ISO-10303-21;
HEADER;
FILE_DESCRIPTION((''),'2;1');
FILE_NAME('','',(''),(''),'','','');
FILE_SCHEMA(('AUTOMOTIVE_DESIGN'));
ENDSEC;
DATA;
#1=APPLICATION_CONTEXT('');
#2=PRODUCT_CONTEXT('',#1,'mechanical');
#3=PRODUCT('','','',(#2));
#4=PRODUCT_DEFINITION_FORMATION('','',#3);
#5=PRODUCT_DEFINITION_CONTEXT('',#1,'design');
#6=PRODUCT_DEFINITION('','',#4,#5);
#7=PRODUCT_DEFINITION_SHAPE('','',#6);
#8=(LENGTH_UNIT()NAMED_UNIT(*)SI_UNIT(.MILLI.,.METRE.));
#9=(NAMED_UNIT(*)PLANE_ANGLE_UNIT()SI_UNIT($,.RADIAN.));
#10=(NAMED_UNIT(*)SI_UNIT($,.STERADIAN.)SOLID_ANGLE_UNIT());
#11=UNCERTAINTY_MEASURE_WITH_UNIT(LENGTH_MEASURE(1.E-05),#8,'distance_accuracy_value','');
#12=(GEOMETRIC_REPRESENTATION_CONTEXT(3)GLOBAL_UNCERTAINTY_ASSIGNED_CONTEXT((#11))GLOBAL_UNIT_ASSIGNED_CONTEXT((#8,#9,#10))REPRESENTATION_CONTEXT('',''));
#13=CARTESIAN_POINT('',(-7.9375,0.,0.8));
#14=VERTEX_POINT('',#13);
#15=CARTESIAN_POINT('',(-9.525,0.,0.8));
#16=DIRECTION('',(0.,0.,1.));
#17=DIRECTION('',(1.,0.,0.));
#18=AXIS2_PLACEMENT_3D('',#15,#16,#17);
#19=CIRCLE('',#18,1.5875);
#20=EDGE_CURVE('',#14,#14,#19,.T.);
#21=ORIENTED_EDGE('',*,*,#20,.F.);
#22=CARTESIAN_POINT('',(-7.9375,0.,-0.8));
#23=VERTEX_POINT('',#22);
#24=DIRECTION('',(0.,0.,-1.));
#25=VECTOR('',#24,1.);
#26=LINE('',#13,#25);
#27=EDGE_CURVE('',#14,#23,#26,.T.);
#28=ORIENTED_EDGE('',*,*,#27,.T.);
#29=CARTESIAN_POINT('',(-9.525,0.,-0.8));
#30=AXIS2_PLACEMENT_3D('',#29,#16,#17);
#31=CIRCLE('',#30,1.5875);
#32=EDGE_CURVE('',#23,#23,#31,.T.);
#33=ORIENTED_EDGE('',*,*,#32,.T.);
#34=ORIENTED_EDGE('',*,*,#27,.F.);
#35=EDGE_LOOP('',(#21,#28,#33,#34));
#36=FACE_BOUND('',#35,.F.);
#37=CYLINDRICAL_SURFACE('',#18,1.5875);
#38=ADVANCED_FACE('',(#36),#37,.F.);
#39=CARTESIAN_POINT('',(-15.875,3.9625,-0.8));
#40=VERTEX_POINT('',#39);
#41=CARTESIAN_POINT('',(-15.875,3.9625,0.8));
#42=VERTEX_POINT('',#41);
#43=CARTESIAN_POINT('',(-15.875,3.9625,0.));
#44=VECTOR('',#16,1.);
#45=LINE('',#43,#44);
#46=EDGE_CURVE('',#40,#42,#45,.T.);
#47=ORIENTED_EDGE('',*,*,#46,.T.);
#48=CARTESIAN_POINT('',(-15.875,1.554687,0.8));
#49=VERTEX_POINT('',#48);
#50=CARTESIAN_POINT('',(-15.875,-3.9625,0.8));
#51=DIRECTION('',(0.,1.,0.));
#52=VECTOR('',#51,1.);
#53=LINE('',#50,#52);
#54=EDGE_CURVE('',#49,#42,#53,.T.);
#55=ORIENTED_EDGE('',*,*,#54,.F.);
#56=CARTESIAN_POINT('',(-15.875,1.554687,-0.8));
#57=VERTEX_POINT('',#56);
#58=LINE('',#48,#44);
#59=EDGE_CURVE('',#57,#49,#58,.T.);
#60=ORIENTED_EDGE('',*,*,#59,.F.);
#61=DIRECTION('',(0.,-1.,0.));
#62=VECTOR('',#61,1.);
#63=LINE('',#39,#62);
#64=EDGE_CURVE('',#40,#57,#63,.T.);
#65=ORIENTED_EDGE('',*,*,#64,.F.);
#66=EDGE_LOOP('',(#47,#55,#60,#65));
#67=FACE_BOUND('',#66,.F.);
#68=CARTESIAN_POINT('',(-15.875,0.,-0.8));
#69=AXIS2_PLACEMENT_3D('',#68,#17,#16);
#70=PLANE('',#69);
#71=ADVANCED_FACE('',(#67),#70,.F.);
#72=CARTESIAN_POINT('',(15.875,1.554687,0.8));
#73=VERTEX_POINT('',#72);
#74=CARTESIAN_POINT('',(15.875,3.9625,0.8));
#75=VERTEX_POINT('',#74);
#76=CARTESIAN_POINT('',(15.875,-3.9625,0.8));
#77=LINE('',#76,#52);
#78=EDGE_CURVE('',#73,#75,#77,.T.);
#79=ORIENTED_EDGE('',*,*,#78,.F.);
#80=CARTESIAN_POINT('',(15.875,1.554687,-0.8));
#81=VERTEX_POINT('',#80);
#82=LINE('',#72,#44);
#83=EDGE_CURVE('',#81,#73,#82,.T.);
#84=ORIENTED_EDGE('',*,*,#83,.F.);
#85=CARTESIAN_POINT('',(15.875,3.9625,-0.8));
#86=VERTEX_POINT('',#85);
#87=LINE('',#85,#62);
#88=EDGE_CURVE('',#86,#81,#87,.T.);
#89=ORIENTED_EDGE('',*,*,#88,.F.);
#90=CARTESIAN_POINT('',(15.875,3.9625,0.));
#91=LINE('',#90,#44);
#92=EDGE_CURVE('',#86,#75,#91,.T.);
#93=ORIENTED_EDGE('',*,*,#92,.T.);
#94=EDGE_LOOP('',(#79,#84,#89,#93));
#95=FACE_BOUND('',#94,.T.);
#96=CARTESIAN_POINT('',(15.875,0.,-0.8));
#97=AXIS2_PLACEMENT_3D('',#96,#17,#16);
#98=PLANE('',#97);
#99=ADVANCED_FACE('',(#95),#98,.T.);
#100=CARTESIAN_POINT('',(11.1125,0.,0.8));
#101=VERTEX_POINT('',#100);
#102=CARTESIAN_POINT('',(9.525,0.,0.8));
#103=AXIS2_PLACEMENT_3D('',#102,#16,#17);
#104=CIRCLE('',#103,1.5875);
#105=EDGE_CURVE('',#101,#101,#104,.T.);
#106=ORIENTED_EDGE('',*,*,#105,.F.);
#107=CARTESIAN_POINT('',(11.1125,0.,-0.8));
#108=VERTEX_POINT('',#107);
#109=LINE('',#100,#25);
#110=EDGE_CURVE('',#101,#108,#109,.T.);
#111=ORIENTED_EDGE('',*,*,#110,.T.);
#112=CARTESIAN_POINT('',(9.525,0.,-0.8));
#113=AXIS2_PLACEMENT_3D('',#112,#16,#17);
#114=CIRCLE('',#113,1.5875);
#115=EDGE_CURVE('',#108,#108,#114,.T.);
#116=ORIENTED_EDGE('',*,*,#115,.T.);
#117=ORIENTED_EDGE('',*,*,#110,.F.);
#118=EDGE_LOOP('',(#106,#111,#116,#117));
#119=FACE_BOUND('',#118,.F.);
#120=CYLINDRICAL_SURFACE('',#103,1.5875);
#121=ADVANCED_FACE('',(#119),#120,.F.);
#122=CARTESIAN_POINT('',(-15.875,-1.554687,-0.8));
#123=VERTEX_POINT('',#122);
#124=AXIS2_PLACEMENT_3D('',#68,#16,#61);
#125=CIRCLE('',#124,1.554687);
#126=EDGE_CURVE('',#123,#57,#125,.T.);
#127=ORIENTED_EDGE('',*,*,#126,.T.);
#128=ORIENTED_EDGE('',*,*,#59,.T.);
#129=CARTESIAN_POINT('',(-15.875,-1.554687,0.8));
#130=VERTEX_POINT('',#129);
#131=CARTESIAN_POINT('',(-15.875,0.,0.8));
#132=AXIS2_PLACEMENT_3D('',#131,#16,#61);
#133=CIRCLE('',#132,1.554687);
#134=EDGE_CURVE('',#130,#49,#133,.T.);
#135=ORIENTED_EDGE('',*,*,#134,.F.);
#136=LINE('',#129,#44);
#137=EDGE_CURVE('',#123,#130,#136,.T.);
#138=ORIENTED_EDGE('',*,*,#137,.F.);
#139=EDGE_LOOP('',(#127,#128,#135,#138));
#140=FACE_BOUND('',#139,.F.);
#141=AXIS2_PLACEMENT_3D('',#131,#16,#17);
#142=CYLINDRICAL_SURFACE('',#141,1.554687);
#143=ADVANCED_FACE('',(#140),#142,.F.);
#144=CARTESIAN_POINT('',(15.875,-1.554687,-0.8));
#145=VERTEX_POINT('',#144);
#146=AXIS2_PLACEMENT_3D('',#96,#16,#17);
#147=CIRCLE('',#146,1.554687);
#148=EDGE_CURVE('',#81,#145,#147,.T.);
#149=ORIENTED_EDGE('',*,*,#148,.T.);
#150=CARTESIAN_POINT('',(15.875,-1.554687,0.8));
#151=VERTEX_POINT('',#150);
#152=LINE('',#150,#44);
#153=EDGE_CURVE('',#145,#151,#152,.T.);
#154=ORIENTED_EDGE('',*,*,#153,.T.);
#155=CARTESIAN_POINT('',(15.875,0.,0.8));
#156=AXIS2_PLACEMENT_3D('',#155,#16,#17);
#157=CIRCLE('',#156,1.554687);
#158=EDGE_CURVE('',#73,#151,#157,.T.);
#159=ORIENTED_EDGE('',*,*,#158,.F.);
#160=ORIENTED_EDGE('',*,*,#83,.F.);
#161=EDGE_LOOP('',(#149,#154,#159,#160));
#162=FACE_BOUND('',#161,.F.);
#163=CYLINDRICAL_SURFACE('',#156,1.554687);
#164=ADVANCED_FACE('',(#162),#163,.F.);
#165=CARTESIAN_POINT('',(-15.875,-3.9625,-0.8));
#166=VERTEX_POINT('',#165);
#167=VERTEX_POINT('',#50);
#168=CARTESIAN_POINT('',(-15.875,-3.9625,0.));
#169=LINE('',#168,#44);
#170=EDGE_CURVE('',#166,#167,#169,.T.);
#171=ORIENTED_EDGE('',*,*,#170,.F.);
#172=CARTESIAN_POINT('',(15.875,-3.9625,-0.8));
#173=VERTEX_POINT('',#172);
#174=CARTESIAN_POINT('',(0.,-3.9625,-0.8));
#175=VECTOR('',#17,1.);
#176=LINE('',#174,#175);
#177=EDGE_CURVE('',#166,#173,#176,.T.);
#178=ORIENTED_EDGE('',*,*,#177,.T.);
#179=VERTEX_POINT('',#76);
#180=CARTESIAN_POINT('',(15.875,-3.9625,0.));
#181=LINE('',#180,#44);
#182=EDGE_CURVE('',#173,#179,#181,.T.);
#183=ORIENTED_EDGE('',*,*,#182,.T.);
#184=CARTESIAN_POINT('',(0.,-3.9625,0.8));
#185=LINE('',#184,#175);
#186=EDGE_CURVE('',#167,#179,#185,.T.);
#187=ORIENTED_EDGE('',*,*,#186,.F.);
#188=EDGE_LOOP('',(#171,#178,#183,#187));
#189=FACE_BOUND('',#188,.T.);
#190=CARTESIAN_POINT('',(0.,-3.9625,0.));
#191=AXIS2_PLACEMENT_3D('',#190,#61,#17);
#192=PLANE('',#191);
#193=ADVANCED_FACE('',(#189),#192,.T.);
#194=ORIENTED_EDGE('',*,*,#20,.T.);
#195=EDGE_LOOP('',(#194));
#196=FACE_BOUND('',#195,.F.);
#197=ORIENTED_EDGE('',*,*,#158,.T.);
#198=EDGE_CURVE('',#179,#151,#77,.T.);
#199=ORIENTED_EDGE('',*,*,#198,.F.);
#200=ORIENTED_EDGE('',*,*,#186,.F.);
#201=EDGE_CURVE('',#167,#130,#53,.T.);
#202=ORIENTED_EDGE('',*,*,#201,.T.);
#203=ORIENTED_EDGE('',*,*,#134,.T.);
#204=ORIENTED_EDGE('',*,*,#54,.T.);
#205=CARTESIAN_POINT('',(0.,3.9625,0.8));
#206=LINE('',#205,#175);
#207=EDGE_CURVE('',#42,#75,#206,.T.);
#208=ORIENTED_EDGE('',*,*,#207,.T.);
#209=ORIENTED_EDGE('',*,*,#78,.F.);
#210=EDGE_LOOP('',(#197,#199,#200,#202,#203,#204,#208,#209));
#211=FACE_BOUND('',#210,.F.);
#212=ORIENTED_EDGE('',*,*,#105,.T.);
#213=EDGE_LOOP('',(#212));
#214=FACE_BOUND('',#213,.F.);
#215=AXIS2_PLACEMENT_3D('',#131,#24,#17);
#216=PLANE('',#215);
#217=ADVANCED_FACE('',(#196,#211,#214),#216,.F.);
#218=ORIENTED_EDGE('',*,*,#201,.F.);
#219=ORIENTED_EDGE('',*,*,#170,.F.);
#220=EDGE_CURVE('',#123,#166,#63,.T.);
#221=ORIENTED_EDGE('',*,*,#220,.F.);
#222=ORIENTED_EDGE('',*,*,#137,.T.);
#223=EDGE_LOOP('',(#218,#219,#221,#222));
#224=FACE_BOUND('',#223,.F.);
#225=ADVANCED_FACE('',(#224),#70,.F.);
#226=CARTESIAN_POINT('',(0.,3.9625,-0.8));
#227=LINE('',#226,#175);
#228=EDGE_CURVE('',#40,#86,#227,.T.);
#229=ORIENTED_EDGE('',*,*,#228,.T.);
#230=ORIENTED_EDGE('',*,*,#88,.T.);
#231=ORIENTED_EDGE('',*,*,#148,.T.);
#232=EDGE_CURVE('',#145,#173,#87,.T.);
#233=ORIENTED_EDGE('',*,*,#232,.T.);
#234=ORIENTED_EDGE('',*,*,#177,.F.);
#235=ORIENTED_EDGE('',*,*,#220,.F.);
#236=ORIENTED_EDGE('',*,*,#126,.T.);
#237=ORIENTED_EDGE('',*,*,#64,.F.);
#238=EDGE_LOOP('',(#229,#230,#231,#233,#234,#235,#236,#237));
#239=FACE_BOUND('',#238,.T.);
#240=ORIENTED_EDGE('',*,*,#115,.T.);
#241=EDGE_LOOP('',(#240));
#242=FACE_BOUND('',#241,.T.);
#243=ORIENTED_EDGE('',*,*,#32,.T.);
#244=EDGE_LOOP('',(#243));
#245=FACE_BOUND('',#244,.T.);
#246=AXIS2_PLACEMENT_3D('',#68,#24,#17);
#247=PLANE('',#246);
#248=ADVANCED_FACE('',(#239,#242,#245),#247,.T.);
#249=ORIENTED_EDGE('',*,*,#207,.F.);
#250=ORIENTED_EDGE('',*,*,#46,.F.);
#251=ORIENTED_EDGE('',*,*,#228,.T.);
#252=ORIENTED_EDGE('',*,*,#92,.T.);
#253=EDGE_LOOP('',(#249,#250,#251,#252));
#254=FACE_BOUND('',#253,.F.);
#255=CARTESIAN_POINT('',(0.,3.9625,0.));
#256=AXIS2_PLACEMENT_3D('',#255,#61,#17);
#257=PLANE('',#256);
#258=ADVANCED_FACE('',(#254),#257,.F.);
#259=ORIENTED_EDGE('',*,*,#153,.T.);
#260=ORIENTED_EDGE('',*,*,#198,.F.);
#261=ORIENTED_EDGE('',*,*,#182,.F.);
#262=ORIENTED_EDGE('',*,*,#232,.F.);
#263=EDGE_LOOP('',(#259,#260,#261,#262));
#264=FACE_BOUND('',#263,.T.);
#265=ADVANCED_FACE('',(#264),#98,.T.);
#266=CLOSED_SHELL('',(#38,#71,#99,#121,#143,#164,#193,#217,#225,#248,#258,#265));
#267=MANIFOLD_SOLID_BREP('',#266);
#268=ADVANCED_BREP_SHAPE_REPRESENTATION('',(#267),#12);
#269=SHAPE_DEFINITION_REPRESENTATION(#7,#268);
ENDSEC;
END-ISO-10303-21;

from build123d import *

# Parameters (mm, degrees)
F0_W     = 31.75
F0_H     = 1.6
F1_DEPTH = 3.9625
F2_R     = 1.5875
F2_R_2   = 1.554687
F3_DEPTH = 1.601


with BuildPart() as f1:
    # F0 (on Front) → F1 (new body, symmetric)
    with BuildSketch(Plane.XZ):
        Rectangle(F0_W, F0_H)
    extrude(amount=F1_DEPTH, both=True)

    # F2 (on face) → F3 (cut, through all)
    with BuildSketch(Plane.XY.offset(0.8)):
        with Locations((-9.525, 0)):
            Circle(F2_R)
        with Locations((9.525, 0)):
            Circle(F2_R)
        with Locations((-15.875, 0)):
            Circle(F2_R_2)
        with Locations((15.875, 0)):
            Circle(F2_R_2)
    extrude(amount=-F3_DEPTH, mode=Mode.SUBTRACT)


solid = f1.part
